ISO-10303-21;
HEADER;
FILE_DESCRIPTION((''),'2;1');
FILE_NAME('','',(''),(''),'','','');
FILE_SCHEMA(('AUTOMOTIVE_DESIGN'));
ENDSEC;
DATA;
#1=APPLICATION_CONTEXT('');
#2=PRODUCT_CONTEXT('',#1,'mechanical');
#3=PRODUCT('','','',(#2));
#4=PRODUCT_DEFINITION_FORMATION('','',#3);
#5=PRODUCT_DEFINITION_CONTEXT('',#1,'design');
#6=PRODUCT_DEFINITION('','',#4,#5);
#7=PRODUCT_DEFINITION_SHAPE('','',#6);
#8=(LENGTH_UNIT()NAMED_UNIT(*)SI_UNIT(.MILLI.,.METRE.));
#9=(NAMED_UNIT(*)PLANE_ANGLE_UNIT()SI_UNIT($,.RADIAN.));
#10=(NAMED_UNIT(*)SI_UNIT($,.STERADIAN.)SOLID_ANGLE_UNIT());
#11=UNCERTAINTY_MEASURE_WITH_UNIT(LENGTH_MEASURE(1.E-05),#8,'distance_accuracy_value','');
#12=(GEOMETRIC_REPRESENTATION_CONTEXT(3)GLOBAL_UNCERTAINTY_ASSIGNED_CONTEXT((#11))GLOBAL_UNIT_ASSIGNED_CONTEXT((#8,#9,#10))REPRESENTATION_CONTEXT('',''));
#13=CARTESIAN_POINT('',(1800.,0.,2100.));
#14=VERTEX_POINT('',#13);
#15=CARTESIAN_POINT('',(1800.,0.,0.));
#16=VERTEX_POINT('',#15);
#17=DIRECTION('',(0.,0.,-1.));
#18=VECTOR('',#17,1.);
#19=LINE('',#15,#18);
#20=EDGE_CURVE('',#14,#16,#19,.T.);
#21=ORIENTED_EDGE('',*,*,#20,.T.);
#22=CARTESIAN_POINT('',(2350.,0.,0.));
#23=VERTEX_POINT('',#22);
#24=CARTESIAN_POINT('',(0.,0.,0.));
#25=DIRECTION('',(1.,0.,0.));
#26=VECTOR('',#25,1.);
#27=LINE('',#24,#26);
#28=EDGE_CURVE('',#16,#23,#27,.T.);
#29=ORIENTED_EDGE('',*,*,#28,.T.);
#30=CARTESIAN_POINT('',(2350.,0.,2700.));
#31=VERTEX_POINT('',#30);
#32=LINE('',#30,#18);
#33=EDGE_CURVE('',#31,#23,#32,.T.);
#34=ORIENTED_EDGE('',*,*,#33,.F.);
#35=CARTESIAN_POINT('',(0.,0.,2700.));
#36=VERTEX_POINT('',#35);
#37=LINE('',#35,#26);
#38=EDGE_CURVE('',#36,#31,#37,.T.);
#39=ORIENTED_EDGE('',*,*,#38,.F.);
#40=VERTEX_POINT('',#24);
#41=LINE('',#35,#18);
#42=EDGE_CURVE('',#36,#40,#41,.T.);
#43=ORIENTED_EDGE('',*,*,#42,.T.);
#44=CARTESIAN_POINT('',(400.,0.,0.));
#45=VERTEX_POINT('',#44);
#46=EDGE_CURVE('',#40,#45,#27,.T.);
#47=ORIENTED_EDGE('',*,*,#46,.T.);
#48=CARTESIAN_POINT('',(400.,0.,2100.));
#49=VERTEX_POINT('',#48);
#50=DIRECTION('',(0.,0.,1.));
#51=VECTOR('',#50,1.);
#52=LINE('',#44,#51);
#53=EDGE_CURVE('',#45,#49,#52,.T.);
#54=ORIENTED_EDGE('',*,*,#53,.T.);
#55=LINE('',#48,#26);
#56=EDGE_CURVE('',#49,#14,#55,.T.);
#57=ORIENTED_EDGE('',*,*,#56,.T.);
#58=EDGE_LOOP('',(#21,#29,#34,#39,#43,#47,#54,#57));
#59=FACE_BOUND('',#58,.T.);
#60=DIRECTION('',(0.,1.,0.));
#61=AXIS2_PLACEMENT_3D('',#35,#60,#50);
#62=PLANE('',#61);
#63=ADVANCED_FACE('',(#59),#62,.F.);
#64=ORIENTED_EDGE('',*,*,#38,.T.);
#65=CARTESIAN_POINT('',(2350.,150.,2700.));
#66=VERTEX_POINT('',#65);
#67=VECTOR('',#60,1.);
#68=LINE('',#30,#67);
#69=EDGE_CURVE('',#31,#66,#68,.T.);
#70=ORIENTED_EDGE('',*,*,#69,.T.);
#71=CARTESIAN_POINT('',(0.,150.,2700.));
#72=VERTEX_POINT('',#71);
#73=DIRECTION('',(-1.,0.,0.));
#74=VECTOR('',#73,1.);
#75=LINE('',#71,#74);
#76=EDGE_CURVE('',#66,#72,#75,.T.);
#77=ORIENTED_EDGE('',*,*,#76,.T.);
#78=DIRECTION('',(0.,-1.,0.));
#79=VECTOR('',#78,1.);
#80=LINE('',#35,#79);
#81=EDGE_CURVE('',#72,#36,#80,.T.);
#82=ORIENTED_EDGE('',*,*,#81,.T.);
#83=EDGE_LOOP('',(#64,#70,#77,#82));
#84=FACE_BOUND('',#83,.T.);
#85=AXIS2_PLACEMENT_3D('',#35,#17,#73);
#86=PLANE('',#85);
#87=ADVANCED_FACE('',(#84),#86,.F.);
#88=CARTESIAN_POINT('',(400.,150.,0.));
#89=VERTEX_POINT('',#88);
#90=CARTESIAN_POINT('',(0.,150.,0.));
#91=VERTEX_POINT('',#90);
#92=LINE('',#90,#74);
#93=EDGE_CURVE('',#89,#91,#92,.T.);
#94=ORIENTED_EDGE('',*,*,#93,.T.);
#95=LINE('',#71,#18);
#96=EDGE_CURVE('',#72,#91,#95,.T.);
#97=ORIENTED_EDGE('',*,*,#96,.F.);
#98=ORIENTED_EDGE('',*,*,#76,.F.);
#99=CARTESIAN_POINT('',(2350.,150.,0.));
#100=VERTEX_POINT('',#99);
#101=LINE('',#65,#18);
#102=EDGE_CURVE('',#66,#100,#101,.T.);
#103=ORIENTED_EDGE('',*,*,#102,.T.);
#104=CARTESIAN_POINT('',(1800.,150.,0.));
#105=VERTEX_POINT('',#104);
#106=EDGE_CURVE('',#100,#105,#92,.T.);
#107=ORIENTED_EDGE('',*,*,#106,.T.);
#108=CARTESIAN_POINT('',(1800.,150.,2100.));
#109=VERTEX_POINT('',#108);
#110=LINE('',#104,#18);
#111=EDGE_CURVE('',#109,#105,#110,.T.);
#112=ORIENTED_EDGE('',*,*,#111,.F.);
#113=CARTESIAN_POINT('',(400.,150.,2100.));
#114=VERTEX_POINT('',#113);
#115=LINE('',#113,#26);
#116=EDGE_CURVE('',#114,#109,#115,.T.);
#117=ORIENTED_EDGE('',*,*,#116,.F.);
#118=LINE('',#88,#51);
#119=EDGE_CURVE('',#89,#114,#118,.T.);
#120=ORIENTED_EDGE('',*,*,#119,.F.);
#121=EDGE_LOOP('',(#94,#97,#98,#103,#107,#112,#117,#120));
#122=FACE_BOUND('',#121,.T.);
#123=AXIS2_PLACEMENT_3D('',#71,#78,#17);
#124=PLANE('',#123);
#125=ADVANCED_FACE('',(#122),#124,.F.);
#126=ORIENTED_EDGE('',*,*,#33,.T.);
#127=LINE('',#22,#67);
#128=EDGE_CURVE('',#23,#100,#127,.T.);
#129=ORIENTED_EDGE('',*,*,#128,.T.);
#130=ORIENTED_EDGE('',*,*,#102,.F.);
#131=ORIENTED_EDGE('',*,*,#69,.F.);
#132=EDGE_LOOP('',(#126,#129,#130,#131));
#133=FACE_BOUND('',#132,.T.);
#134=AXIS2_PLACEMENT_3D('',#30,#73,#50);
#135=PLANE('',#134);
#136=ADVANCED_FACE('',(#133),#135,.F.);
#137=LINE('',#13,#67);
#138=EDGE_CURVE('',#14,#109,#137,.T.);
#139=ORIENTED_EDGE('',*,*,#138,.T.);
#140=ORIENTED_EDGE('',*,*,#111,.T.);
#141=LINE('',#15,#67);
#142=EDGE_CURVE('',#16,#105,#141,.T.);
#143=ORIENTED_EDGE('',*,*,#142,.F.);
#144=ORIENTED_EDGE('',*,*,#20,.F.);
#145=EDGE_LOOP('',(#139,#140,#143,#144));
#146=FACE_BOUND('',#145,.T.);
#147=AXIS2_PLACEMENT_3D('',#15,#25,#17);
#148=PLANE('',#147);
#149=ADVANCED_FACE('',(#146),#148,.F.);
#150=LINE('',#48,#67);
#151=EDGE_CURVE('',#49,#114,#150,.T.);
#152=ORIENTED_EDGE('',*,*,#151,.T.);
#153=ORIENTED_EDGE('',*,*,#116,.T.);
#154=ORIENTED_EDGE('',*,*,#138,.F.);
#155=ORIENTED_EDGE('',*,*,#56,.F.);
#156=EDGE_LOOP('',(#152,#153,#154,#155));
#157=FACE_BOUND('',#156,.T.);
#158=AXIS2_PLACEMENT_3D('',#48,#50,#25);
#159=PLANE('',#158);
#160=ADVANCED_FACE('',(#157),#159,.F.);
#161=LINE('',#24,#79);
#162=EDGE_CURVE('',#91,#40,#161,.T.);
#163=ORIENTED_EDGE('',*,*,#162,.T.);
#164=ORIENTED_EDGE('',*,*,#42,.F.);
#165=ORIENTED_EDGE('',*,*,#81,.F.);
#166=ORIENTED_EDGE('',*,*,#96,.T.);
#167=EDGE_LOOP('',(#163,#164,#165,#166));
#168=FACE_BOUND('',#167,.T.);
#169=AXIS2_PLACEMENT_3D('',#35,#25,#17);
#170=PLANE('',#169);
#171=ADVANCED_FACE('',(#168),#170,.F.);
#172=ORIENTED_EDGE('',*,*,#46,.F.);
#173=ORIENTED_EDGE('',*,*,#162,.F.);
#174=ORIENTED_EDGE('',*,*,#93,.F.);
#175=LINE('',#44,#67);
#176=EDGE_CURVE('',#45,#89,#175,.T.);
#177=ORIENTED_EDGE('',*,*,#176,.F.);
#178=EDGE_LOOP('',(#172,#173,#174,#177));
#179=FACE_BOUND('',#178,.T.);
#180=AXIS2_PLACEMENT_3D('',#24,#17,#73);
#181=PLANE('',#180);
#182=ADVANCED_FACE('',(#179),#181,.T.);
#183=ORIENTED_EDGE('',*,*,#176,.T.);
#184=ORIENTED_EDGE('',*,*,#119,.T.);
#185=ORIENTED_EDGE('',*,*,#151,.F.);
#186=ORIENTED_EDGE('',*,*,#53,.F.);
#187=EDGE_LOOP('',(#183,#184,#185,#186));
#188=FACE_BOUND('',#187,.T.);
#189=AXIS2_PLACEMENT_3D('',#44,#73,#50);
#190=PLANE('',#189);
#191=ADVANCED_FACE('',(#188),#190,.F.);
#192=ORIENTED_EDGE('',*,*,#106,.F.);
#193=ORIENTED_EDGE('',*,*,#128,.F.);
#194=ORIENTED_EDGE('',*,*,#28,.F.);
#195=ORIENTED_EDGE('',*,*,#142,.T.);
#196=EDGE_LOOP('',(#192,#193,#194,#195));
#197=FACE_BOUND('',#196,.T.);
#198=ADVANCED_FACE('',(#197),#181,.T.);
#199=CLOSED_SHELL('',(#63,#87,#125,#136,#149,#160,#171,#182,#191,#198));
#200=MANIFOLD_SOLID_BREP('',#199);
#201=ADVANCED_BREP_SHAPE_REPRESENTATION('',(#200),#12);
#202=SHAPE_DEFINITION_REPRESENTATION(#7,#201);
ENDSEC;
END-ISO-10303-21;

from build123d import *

# Parameters (mm, degrees)
ESBO_O1_W                = 2350
ESBO_O1_H                = 150
RESSALTO_EXTRUS_O1_DEPTH = 2700
ESBO_O2_W                = 1400
ESBO_O2_H                = 2100
CORTE_EXTRUS_O1_DEPTH    = 151


with BuildPart() as part:
    # Esboço1 → Ressalto-extrusão1 (new body)
    with BuildSketch(Plane.XY):
        with Locations((1175, 75)):
            Rectangle(ESBO_O1_W, ESBO_O1_H)
    extrude(amount=RESSALTO_EXTRUS_O1_DEPTH)

    # Esboço2 → Corte-extrusão1 (cut, through all)
    with BuildSketch(Plane(origin=(0, 150, 0), x_dir=(1, 0, 0), z_dir=(0, 1, 0))):
        with Locations((1100, -1050)):
            Rectangle(ESBO_O2_W, ESBO_O2_H)
    extrude(amount=-CORTE_EXTRUS_O1_DEPTH, mode=Mode.SUBTRACT)


solid = part.part
